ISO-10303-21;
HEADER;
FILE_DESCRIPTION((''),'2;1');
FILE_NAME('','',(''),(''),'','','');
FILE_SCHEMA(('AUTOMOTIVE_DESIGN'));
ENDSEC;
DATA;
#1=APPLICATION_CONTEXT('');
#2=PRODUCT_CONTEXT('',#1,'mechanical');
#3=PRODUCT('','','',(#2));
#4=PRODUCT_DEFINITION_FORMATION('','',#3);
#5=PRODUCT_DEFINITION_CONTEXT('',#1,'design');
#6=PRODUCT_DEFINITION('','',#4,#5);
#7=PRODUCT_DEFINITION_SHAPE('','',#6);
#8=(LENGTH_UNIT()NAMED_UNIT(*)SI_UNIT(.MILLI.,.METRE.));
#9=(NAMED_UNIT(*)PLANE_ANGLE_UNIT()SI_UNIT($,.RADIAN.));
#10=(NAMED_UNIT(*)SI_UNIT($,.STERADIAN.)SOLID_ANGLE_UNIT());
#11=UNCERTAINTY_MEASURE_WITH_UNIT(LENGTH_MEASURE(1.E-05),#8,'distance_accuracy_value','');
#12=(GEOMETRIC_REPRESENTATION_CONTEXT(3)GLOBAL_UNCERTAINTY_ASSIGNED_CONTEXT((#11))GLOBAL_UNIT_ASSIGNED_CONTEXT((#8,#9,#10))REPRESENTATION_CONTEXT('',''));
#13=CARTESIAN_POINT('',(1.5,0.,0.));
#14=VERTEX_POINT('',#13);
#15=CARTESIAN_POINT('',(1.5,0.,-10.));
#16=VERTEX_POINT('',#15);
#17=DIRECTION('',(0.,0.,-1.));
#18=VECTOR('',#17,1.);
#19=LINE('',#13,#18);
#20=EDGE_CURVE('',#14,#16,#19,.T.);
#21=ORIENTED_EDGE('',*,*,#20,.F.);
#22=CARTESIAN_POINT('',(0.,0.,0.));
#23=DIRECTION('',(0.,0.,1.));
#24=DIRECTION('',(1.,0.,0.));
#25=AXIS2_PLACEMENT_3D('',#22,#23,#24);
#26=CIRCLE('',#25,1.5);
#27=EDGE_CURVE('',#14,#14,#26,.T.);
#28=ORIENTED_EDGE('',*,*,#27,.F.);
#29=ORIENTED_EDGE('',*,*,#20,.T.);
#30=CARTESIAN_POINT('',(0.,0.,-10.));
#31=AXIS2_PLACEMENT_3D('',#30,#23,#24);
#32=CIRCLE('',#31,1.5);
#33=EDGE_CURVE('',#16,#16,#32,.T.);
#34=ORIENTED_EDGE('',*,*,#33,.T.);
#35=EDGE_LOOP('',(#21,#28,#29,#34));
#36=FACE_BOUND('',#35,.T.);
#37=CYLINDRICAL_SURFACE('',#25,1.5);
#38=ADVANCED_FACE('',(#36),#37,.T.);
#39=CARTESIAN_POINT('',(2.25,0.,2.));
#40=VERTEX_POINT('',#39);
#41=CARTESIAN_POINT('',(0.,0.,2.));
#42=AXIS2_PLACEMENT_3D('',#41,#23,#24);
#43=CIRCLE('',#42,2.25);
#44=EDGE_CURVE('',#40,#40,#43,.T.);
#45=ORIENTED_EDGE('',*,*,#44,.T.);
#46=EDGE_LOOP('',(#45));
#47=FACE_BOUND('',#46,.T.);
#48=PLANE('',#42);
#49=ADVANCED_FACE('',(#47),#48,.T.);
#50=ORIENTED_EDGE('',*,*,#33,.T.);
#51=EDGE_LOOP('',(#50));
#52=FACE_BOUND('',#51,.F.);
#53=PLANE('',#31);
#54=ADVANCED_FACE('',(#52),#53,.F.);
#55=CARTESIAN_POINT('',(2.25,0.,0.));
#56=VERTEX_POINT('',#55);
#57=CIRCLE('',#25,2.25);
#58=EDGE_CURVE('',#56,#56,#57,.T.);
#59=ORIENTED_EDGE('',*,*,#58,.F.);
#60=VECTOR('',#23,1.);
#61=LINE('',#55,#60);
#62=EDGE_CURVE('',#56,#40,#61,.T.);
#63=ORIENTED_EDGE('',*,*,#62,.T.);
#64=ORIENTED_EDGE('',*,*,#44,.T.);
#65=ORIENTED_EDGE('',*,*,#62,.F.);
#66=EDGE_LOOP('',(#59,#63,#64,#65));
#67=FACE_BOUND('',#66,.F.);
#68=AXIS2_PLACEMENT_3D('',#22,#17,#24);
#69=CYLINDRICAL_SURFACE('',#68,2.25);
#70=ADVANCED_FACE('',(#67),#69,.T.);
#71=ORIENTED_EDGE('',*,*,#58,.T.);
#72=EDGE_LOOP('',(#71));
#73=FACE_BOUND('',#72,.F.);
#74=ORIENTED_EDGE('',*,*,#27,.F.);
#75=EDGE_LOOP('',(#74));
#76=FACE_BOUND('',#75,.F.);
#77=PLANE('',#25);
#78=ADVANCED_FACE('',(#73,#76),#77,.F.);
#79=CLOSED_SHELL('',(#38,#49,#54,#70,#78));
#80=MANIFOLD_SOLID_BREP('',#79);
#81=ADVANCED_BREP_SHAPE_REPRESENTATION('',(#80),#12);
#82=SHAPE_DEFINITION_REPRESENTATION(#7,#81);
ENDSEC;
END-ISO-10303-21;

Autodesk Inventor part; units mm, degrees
ref_plane "YZ Plane" through (0, 0, 0) normal (1, 0, 0) x (0, 1, 0)
ref_plane "XZ Plane" through (0, 0, 0) normal (0, 1, 0) x (-1, 0, 0)
ref_plane "XY Plane" through (0, 0, 0) normal (0, 0, 1) x (1, 0, 0)
sketch "スケッチ1" plane through (0, 0, 0) normal (0, 0, 1) x (1, 0, 0)
  circle A0 centre (0, 0) radius 2.25
  circle A1 centre (0, 0) radius 1.5
  dimension "d0" = 4.5
  dimension "d1" = 3
extrude "押し出し1" add sketch "スケッチ1" along normal blind 2 contours A0 | A1
extrude "押し出し2" add sketch "スケッチ1" against normal blind 10 contours A1
properties part number "キャップスクリュー小頭低頭 10mm" material "鋼、炭素鋼"
